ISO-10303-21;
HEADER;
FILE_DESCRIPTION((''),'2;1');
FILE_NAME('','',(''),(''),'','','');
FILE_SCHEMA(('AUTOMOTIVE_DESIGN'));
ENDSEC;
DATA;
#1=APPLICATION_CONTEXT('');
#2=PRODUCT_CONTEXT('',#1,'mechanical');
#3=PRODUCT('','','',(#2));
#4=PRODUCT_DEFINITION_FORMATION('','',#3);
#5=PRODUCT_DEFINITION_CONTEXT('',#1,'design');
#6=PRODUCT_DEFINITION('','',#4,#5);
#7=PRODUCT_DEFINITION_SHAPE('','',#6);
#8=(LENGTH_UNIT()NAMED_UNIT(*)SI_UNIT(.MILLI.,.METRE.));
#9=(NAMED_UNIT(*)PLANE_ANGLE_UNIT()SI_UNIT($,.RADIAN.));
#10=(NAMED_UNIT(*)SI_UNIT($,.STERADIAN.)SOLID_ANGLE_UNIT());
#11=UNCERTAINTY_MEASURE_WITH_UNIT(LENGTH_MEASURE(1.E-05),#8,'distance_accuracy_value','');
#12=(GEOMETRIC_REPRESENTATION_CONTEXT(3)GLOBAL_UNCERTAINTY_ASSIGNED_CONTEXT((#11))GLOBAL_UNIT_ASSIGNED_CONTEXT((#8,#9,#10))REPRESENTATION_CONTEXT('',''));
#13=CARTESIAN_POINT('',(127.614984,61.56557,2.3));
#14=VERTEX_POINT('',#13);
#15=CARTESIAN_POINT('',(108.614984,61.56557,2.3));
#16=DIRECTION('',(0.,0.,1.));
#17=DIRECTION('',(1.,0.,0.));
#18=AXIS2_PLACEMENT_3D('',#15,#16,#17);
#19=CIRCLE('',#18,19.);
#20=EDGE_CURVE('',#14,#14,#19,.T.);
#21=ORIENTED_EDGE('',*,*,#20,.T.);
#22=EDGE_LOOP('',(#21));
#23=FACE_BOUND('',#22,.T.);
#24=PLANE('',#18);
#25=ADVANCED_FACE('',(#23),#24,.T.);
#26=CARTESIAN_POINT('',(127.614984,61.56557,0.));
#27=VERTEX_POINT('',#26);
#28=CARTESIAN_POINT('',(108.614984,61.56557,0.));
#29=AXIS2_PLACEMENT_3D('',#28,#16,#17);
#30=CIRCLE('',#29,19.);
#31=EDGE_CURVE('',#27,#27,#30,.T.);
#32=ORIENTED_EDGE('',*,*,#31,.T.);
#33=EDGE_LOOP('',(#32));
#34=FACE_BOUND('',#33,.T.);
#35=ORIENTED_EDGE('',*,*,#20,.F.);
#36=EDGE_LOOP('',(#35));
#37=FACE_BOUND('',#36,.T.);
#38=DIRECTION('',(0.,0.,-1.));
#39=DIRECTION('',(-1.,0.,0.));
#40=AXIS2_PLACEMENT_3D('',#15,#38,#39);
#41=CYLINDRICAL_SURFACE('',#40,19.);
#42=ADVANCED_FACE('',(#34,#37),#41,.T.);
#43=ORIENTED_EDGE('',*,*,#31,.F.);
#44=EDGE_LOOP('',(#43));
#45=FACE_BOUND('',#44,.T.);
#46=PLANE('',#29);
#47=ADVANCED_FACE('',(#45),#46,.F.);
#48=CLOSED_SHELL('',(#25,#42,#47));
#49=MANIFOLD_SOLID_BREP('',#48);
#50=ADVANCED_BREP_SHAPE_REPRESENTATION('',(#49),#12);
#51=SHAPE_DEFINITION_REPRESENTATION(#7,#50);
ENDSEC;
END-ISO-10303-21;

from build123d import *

# Parameters (mm, degrees)
SKETCH_1_R      = 19
EXTRUDE_1_DEPTH = 2.3


with BuildPart() as part:
    # 草图1 → 凸台-拉伸1 (new body)
    with BuildSketch(Plane.XY):
        with Locations((108.614983942, 61.565570069)):
            Circle(SKETCH_1_R)
    extrude(amount=EXTRUDE_1_DEPTH)


solid = part.part
